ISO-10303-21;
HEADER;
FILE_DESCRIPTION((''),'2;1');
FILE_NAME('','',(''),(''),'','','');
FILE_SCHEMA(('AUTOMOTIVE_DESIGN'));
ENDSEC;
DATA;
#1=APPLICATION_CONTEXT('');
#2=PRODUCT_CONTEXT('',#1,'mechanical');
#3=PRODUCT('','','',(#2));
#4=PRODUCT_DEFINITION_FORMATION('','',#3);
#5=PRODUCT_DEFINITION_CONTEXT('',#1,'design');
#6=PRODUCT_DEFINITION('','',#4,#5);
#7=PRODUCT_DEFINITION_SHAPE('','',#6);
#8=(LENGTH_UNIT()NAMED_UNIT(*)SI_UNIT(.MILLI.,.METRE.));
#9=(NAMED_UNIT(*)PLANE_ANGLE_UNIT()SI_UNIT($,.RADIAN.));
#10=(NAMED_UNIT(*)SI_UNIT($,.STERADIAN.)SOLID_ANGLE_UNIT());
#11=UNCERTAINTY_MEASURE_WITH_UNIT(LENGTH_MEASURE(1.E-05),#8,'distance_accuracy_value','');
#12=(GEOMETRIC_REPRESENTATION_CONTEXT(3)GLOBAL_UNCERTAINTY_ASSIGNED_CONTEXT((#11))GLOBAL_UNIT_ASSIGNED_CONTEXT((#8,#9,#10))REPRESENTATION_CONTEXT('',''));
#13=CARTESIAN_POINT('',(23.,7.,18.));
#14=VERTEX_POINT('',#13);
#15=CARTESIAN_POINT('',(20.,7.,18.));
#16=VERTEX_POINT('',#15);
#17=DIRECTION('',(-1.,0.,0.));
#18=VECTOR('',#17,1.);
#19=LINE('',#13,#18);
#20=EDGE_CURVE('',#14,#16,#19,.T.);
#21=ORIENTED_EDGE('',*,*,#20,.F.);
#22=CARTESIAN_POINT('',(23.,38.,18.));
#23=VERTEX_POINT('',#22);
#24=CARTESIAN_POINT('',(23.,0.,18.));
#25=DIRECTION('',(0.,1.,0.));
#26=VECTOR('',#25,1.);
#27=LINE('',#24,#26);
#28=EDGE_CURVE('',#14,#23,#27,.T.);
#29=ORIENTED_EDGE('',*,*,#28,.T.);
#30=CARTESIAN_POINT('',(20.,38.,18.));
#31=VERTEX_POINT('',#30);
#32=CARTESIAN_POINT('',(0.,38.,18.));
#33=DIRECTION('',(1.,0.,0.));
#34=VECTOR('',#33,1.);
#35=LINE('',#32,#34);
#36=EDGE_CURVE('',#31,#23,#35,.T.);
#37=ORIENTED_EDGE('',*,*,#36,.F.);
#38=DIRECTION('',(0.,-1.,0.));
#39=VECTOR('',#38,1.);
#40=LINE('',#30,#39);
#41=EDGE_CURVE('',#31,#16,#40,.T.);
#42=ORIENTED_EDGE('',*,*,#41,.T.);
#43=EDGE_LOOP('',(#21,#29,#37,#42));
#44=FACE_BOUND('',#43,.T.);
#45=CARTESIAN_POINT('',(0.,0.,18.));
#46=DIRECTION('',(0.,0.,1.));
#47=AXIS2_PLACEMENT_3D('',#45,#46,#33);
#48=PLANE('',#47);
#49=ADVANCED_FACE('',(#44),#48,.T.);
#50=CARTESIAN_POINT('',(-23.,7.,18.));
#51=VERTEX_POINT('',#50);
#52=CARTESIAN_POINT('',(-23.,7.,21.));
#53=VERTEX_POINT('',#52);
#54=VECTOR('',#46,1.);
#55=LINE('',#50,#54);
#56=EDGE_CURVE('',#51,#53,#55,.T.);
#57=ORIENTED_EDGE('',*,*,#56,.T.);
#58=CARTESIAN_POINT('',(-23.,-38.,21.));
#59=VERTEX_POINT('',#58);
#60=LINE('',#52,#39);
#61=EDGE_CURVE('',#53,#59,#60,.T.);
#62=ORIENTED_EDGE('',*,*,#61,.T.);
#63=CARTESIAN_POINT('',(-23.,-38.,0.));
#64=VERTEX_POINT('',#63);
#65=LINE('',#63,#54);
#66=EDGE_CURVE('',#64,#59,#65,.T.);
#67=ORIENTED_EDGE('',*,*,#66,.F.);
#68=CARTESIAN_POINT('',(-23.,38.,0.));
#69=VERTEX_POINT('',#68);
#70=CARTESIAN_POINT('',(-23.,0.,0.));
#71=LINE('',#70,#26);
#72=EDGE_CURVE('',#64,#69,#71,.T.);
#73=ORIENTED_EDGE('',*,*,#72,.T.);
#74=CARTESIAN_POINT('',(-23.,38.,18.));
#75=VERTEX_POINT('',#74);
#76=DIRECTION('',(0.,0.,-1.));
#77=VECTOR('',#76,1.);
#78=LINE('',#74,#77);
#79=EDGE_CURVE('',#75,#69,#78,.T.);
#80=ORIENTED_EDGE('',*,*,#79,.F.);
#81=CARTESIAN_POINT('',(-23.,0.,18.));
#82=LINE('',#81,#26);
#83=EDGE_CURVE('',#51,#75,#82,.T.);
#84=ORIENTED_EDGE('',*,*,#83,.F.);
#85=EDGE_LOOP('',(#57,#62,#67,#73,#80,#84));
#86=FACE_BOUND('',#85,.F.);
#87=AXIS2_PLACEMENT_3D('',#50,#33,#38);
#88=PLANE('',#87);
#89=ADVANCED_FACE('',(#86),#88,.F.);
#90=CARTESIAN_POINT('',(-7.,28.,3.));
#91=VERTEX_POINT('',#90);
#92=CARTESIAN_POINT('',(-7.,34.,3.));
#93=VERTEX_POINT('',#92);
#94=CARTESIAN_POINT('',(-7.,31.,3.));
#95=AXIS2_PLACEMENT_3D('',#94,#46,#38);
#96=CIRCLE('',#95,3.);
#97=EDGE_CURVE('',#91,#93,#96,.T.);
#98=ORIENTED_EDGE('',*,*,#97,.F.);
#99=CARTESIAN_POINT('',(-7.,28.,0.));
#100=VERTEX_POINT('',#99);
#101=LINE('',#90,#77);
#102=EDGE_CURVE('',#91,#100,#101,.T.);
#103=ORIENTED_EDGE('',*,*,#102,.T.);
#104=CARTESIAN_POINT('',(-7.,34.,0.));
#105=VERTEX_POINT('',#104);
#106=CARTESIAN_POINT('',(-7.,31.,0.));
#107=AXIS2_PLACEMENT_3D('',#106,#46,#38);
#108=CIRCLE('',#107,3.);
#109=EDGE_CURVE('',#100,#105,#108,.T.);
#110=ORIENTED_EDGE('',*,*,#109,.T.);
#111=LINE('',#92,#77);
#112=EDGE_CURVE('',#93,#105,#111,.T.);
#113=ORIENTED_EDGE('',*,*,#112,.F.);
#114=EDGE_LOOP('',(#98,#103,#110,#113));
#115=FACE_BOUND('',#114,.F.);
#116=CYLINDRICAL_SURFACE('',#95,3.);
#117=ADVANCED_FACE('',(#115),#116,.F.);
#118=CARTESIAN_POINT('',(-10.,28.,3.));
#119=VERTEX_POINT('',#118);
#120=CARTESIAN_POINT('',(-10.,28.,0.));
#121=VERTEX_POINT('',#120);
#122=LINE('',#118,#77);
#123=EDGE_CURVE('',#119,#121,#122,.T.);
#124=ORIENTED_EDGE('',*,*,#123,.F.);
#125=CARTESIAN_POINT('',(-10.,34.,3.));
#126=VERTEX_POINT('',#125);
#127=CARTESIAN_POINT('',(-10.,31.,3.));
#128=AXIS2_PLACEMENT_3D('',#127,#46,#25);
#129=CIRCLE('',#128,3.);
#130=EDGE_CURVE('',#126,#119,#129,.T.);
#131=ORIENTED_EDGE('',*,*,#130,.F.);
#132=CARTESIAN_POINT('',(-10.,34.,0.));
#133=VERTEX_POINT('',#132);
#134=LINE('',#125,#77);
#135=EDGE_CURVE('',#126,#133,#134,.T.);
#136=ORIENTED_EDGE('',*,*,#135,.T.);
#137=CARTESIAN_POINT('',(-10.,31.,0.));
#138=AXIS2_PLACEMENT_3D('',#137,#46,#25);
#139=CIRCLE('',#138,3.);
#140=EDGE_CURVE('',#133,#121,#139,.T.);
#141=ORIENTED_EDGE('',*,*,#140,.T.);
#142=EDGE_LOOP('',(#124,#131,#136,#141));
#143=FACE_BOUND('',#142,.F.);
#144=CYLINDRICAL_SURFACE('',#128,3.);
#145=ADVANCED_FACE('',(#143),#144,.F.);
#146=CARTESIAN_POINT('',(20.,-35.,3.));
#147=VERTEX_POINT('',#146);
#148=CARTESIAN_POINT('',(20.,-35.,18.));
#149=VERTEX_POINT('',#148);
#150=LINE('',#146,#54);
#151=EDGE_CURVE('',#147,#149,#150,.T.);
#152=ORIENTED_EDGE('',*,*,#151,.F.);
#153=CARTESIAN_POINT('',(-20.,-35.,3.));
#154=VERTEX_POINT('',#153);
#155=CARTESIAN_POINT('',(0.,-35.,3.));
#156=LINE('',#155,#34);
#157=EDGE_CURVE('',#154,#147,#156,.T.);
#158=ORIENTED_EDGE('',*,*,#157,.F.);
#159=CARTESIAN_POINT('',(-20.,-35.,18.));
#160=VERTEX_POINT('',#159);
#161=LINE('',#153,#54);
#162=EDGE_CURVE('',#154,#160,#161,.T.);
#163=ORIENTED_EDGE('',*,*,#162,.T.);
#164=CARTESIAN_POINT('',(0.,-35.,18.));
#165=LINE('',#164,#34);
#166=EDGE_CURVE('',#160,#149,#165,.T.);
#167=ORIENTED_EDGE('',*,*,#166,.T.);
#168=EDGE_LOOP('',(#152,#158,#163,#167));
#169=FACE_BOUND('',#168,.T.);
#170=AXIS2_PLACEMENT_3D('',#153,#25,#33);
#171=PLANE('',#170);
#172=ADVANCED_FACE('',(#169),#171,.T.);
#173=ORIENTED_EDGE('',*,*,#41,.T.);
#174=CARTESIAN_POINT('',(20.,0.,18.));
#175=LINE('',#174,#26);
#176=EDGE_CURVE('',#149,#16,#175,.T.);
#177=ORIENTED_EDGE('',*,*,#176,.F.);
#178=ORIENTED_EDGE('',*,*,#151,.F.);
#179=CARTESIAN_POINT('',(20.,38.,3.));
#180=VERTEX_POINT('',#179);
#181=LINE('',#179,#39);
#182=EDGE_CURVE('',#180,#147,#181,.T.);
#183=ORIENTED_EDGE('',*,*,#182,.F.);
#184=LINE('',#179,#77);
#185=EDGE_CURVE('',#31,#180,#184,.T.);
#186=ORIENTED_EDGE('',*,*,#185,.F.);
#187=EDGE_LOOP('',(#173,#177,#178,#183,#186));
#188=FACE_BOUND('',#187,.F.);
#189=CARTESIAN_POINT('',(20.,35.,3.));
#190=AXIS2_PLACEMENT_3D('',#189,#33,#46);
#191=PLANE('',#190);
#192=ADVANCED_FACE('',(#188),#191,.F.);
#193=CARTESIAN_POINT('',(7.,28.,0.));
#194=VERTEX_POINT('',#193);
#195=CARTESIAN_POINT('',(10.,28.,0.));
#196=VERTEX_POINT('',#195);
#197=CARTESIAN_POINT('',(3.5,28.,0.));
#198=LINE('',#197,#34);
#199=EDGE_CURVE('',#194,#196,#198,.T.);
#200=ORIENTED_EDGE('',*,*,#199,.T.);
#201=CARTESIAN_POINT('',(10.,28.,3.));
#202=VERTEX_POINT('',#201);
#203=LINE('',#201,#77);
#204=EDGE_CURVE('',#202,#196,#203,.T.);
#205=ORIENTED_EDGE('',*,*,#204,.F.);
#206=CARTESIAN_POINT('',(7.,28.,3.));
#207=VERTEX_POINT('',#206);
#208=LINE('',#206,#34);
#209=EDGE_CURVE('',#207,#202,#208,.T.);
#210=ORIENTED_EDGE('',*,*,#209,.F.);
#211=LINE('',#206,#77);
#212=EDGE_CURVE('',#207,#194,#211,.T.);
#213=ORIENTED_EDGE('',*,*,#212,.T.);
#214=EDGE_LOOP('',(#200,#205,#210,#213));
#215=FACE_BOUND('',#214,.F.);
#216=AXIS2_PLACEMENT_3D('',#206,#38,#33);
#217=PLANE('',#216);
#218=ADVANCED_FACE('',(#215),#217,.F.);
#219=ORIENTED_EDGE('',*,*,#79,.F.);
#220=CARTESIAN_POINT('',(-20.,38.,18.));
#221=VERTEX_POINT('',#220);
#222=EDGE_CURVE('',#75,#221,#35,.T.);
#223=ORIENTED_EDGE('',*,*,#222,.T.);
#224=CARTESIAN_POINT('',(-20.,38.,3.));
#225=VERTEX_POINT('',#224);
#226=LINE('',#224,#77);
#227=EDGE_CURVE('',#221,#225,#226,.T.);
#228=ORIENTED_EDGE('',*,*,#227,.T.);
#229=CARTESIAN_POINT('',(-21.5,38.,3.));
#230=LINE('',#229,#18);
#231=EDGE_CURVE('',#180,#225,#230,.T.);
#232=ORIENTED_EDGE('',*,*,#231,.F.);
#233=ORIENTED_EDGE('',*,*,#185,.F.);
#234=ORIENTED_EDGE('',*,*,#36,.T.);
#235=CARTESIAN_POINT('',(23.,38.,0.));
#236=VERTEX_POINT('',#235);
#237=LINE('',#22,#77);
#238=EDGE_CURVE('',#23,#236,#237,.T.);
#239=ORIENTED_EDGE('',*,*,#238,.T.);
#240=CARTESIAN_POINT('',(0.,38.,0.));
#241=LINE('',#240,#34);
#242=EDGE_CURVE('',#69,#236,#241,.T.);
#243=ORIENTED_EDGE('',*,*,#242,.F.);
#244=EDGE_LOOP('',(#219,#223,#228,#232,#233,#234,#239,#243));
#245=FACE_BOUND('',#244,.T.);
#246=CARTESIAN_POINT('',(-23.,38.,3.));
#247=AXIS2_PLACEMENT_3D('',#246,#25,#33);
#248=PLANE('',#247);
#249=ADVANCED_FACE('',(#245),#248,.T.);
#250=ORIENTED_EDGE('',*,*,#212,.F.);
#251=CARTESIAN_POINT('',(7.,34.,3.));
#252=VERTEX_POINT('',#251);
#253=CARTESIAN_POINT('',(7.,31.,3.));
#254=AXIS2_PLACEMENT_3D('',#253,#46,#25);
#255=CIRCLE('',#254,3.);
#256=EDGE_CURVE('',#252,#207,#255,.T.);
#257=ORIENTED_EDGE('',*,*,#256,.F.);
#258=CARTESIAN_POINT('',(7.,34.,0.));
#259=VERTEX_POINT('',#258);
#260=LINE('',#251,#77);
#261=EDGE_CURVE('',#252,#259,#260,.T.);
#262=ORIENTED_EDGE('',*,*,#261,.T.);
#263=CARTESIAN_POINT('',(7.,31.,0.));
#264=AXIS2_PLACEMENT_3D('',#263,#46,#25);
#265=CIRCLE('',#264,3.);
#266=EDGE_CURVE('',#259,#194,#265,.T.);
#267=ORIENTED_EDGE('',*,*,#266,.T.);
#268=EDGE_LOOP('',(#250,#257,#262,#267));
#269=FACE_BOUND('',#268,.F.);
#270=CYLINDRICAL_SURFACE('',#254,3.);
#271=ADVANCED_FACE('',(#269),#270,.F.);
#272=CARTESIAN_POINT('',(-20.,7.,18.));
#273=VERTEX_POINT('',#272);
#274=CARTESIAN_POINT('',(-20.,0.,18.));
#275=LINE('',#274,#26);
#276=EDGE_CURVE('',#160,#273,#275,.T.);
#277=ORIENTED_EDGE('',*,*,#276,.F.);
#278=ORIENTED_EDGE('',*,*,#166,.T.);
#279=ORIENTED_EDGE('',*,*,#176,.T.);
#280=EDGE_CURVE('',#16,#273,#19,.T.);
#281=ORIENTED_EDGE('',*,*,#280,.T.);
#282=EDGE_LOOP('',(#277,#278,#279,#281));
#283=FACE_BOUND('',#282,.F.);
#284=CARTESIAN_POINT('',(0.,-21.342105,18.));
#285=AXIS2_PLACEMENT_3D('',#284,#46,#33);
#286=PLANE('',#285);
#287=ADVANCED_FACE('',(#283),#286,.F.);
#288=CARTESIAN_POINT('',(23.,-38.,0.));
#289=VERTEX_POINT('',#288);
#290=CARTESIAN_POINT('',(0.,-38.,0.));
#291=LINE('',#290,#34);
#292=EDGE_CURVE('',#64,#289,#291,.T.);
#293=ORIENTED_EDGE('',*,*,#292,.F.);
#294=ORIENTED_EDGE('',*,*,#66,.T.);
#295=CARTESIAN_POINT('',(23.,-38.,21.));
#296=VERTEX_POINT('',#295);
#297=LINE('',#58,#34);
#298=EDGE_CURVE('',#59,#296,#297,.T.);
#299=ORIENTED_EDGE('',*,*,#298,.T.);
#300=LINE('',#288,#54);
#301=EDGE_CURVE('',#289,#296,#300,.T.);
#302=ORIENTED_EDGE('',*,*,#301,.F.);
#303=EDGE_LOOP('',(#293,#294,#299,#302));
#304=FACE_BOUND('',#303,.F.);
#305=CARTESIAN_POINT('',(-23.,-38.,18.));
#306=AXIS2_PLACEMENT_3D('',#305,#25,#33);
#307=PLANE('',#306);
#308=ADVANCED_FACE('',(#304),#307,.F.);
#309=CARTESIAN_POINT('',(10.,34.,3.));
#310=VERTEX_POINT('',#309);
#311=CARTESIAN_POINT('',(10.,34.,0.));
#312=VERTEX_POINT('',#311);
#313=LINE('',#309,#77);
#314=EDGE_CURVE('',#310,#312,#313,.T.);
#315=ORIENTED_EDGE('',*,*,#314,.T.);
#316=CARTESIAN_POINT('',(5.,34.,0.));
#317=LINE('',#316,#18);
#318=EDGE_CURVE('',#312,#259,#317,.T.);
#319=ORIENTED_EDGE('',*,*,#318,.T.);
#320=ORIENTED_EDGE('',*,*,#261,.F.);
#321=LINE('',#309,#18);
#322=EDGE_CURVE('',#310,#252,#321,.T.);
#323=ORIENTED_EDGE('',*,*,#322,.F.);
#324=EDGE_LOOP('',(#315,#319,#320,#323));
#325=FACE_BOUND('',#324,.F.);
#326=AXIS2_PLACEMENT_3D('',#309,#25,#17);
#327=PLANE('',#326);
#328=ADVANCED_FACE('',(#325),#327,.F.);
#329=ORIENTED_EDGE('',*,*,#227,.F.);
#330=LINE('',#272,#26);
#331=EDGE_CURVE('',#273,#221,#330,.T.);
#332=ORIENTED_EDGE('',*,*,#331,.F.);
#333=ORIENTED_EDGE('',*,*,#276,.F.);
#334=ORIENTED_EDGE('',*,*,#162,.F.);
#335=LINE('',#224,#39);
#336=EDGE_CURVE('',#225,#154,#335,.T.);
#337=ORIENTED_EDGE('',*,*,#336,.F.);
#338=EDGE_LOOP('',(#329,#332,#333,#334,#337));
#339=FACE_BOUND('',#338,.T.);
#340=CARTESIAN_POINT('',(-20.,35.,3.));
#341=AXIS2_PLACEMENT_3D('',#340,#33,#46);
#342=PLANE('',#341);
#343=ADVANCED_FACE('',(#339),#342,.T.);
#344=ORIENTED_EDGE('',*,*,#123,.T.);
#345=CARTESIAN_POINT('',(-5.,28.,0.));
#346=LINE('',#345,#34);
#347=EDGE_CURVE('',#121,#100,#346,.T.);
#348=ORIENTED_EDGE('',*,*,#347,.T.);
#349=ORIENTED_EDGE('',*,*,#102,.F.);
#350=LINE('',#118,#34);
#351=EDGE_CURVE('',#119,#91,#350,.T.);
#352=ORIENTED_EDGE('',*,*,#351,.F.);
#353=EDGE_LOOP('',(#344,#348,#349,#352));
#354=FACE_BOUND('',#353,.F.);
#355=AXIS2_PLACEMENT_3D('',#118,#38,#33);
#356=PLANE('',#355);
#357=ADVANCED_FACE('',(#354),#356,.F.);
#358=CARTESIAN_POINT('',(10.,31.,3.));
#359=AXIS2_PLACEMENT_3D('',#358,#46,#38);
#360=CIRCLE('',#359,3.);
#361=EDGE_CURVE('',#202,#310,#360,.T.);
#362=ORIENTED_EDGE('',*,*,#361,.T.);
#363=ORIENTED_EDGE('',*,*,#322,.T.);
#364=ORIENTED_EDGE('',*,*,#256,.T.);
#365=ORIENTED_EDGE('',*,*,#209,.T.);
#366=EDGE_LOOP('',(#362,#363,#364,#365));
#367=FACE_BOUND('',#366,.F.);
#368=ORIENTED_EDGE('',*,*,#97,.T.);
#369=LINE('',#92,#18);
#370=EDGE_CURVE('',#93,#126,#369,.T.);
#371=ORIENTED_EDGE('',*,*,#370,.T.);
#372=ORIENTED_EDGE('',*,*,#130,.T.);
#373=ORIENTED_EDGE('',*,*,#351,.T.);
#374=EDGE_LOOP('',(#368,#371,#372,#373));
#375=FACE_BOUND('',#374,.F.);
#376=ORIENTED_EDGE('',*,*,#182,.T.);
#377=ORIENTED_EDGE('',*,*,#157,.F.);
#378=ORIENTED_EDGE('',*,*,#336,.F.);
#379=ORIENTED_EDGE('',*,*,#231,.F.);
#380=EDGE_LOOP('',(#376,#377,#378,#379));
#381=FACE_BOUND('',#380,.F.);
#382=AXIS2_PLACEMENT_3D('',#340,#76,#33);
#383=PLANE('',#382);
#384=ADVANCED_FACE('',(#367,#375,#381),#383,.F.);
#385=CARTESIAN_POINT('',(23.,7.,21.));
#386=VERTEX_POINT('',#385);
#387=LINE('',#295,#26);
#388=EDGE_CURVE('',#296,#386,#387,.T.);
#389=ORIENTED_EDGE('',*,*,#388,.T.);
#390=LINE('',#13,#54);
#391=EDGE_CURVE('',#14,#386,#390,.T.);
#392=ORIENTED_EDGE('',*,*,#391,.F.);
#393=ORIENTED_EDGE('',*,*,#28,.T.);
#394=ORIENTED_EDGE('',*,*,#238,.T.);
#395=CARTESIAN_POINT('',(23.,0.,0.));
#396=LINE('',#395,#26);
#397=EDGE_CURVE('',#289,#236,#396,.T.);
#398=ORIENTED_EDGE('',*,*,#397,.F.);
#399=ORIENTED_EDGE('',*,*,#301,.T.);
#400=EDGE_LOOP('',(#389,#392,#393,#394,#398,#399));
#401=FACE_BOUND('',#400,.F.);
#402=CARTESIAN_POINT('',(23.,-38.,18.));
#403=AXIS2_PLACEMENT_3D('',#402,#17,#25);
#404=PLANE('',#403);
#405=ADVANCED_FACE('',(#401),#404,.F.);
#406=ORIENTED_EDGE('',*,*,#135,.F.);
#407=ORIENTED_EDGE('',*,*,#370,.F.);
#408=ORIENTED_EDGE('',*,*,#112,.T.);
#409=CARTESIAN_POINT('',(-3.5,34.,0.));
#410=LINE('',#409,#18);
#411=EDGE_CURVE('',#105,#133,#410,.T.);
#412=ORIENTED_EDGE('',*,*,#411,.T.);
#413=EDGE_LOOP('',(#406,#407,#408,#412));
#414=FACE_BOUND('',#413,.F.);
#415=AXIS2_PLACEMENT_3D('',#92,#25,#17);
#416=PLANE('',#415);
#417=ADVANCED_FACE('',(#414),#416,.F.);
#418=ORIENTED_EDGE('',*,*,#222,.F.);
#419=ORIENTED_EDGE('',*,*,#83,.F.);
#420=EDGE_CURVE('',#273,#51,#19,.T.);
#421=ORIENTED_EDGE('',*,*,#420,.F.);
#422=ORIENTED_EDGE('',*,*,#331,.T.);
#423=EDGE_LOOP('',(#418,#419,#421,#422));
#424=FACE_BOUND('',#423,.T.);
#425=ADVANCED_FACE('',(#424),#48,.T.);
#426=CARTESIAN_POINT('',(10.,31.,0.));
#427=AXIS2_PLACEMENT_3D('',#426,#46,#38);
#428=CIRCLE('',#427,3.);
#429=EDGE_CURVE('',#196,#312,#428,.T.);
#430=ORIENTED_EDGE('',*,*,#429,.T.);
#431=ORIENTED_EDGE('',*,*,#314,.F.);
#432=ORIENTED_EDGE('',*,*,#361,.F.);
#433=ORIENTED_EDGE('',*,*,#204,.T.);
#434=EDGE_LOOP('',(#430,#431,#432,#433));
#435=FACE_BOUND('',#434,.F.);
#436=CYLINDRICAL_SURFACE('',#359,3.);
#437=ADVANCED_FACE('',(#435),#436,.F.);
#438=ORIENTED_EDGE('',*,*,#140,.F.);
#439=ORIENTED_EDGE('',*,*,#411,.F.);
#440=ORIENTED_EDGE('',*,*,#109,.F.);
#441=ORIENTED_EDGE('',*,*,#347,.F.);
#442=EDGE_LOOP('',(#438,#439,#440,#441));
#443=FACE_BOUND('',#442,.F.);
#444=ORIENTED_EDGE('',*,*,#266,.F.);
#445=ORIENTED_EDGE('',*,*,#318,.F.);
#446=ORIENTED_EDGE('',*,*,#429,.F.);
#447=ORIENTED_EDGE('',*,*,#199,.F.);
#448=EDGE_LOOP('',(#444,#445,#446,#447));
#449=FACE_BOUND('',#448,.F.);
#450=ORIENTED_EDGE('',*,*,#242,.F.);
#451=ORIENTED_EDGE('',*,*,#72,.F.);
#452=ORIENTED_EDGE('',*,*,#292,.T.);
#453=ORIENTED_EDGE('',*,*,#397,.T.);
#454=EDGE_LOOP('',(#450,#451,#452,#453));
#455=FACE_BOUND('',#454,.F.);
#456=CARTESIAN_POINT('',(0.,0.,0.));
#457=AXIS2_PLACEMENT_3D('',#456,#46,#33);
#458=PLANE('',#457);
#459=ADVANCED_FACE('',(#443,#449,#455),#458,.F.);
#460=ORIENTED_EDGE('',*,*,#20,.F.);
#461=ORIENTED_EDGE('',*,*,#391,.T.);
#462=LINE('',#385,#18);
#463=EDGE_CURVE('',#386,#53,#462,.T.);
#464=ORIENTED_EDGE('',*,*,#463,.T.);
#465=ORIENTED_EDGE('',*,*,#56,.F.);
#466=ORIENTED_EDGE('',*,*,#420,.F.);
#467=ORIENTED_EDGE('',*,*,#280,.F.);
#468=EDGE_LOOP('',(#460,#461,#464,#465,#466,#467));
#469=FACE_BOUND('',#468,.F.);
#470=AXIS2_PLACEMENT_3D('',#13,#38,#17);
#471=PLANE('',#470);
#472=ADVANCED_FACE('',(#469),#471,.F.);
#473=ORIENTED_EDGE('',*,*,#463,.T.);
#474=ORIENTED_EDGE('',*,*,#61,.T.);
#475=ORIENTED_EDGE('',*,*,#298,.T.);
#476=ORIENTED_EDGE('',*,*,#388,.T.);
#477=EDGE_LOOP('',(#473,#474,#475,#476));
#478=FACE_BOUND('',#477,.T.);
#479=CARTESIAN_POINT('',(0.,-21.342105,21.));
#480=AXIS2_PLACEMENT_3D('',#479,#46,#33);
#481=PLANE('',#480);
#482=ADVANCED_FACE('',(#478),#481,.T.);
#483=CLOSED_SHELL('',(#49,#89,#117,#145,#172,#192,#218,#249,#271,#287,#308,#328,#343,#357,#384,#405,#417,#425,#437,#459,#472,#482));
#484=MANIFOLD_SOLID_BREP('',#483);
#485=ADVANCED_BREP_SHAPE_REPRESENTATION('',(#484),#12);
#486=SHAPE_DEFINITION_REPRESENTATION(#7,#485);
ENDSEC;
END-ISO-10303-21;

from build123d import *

# Parameters (mm, degrees)
F0_W     = 46
F0_H     = 76
F1_DEPTH = 3
F2_W     = 46
F2_H     = 76
F2_W_2   = 40
F2_H_2   = 70
F3_DEPTH = 15
F5_DEPTH = 25
F6_W     = 40
F6_H     = 42
F7_DEPTH = 3
F8_DEPTH = 25


with BuildPart() as f1:
    # F0 (on Top) → F1 (new body)
    with BuildSketch(Plane.XY):
        Rectangle(F0_W, F0_H)
    extrude(amount=F1_DEPTH)

    # F2 (on face) → F3 (join)
    with BuildSketch(Plane.XY.offset(3)):
        Rectangle(F2_W, F2_H)
        Rectangle(F2_W_2, F2_H_2, mode=Mode.SUBTRACT)
    extrude(amount=F3_DEPTH)

    # F4 (on face) → F5 (cut)
    with BuildSketch(Plane.XY.offset(3)):
        with BuildLine():
            Line((-10, 28), (-7.0000000819, 28))
            ThreePointArc((-7, 28), (-4, 31.000000041), (-7.0000000819, 34))
            Line((-7.0000000819, 34), (-10, 34))
            ThreePointArc((-10, 34), (-13, 31), (-10, 28))
        make_face()
        with BuildLine():
            Line((10, 34), (7, 34))
            ThreePointArc((7, 34), (4, 31), (7, 28))
            Line((7, 28), (10, 28))
            ThreePointArc((10, 28), (13, 31), (10, 34))
        make_face()
    extrude(amount=-F5_DEPTH, mode=Mode.SUBTRACT)

    # F6 (on face) → F7 (join)
    with BuildSketch(Plane.XY.offset(18)):
        Polygon((-23, 7), (-23, -38), (23, -38), (23, 7), (20, 7), (20, -35), (-20, -35), (-20, 7), align=None)
        with Locations((0, -14)):
            Rectangle(F6_W, F6_H)
    extrude(amount=F7_DEPTH)

    # F8 (cut): a face of the model
    f8_faces = [f1.faces().sort_by_distance(p)[0] for p in [
        (0, 35, 10.5),
    ]]
    extrude(f8_faces, amount=-F8_DEPTH, mode=Mode.SUBTRACT)


solid = f1.part
